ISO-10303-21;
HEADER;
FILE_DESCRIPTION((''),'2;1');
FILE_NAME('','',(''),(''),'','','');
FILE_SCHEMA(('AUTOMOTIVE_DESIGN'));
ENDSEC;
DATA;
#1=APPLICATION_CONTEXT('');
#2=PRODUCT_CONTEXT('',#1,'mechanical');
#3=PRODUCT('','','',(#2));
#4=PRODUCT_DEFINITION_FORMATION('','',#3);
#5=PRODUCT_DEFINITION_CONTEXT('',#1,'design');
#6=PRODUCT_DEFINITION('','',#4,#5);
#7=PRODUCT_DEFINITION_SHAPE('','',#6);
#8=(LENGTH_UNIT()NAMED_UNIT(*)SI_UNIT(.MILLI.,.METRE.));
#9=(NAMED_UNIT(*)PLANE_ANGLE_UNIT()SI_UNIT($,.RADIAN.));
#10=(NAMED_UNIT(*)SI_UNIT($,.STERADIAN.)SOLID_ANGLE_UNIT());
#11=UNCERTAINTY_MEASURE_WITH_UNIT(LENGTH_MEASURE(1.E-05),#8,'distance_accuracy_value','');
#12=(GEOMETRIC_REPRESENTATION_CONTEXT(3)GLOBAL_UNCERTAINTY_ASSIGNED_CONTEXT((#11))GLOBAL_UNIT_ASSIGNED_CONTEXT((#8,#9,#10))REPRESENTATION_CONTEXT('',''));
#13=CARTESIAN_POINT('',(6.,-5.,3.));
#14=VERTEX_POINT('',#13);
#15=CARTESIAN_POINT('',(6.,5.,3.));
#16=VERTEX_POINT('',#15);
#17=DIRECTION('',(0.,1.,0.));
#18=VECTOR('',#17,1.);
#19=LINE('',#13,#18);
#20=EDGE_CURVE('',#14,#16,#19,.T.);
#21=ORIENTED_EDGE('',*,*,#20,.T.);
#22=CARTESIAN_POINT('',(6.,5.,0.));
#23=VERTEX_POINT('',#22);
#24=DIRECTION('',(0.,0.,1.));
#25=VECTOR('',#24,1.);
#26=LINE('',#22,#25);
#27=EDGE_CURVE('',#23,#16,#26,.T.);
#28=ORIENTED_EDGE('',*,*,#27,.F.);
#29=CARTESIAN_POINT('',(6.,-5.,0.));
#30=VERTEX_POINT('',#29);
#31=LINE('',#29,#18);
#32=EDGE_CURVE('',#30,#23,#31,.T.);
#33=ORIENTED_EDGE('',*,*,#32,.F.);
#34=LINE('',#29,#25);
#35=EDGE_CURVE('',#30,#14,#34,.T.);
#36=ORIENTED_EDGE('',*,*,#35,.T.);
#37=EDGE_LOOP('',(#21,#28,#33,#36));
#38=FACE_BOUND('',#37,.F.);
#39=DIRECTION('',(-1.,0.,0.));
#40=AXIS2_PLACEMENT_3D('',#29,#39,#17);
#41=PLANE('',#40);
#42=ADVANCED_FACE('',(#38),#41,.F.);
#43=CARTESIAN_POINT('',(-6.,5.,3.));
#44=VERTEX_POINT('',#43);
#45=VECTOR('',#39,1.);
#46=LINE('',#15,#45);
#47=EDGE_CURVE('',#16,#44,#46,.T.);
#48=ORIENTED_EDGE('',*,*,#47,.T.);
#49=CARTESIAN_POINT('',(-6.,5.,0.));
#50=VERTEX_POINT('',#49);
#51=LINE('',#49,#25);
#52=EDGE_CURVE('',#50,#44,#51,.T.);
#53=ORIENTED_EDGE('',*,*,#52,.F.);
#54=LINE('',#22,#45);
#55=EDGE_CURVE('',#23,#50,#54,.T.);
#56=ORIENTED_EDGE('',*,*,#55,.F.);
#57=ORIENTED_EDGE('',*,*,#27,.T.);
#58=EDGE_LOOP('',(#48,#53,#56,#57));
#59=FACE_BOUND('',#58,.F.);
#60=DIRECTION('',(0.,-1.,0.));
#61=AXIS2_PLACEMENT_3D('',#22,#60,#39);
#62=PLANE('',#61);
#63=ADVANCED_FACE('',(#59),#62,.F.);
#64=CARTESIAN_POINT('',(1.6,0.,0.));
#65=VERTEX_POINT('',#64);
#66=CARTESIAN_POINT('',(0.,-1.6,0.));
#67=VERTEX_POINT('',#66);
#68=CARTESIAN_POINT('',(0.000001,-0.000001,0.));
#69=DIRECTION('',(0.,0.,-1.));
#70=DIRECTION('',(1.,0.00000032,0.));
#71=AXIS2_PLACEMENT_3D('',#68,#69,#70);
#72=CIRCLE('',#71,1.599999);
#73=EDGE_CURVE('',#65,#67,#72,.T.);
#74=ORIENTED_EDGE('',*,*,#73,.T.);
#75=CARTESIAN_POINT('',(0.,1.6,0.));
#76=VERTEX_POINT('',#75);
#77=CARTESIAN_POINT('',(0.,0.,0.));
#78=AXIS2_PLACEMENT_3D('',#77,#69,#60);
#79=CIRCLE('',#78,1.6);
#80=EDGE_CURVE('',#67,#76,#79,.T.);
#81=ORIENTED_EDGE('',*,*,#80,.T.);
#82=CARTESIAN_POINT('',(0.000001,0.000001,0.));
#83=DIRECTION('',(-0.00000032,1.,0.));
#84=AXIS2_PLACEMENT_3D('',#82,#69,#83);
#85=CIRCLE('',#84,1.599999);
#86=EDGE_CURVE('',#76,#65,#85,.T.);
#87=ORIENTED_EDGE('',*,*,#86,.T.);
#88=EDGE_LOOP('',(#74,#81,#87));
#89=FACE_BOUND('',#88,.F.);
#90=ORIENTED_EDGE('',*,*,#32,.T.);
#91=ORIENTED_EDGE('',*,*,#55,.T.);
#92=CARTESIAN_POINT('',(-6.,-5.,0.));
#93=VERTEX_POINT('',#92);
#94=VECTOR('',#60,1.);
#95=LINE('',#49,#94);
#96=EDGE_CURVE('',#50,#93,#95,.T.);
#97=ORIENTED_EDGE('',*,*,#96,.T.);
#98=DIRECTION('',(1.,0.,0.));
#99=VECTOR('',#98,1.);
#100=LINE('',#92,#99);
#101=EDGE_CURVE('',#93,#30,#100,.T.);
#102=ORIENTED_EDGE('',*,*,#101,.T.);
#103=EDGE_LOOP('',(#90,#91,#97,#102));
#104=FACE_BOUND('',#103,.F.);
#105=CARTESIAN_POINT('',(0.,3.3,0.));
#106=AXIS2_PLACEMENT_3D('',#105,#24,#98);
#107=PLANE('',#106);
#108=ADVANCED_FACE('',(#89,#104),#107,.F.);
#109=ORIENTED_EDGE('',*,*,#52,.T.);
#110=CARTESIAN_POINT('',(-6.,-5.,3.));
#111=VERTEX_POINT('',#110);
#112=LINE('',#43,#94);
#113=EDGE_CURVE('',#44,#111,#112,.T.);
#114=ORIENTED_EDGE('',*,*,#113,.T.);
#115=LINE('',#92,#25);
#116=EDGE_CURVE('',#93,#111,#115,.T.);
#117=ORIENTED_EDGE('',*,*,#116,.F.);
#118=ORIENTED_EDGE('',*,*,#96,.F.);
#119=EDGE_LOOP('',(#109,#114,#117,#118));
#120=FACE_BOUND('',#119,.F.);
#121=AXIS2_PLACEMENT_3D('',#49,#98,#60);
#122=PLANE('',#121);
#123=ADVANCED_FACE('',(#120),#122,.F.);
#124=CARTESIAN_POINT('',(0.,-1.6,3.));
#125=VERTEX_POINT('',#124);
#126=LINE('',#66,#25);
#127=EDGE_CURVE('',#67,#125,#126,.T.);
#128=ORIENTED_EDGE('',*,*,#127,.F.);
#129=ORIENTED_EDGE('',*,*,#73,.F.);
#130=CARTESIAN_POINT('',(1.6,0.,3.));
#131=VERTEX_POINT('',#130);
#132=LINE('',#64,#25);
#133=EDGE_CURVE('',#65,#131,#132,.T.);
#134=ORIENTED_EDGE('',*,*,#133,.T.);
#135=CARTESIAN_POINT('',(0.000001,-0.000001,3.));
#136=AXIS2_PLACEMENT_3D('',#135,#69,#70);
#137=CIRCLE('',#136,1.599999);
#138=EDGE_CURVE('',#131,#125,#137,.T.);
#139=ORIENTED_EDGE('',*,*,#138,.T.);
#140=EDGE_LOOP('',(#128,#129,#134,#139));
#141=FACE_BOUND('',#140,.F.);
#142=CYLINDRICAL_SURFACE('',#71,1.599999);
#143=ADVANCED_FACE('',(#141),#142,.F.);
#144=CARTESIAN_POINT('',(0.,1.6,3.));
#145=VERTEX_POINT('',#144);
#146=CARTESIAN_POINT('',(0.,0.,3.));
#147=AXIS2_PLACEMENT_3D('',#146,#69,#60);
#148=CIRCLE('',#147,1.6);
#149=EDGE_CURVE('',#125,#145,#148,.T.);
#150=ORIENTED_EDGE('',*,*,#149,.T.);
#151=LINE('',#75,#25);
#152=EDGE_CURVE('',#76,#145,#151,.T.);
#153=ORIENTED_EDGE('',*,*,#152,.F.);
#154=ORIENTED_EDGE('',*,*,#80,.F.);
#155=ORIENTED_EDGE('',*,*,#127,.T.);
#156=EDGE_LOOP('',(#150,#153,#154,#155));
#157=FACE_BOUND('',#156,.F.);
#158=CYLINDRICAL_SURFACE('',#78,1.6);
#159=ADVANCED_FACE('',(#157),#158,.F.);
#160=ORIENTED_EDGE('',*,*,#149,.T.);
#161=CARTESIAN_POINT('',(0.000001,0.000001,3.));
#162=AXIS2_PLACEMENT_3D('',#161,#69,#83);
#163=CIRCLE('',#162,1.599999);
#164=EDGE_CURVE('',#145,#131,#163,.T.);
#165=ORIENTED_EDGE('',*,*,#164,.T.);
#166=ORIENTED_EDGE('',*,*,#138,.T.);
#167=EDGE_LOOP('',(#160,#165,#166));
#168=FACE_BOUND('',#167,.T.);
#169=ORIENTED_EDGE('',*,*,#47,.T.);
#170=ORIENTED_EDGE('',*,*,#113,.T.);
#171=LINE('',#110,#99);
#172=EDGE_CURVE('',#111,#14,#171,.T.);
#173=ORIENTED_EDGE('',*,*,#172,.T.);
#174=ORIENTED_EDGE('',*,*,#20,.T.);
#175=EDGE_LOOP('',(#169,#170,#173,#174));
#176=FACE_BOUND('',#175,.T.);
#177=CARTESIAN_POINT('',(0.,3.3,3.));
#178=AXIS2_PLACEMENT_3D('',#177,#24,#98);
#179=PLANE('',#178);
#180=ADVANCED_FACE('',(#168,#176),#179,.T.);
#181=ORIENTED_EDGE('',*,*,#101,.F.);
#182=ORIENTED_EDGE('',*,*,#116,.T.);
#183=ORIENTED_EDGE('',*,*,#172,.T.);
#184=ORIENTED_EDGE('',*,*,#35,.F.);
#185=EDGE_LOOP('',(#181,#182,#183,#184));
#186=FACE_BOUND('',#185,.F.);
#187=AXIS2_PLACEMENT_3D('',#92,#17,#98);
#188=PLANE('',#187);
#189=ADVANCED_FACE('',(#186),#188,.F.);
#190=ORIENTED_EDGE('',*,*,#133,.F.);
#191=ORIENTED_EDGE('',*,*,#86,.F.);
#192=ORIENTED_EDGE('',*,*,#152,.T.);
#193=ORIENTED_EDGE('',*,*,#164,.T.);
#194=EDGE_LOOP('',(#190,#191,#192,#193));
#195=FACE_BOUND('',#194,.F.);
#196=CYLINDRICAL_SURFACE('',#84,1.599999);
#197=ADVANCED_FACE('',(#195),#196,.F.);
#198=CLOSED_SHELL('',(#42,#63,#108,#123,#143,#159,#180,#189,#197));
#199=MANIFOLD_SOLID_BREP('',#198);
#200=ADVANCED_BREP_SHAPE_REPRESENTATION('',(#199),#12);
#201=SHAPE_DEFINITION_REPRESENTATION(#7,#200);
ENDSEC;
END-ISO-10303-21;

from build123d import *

# Parameters (mm, degrees)
F1_DEPTH = 3


with BuildPart() as f1:
    # F0 (on Top) → F1 (new body)
    with BuildSketch(Plane.XY):
        Polygon((6, 1.6), (6, 5), (-6, 5), (-6, 1.6), (0, 1.6), align=None)
        with BuildLine():
            Line((0, 1.6), (-6, 1.6))
            Line((-6, 1.6), (-6, -1.6))
            Line((-6, -1.6), (0, -1.6))
            ThreePointArc((0, -1.6), (-1.6, 0), (0, 1.6))
        make_face()
        with BuildLine():
            Line((6, -1.6), (6, 1.6))
            Line((6, 1.6), (0, 1.6))
            ThreePointArc((0, 1.6), (1.131371, 1.131371), (1.6, 0))
            ThreePointArc((1.6, 0), (1.131371, -1.131371), (0, -1.6))
            Line((0, -1.6), (6, -1.6))
        make_face()
        Polygon((6, -5), (6, -1.6), (0, -1.6), (-6, -1.6), (-6, -5), align=None)
    extrude(amount=F1_DEPTH)


solid = f1.part
